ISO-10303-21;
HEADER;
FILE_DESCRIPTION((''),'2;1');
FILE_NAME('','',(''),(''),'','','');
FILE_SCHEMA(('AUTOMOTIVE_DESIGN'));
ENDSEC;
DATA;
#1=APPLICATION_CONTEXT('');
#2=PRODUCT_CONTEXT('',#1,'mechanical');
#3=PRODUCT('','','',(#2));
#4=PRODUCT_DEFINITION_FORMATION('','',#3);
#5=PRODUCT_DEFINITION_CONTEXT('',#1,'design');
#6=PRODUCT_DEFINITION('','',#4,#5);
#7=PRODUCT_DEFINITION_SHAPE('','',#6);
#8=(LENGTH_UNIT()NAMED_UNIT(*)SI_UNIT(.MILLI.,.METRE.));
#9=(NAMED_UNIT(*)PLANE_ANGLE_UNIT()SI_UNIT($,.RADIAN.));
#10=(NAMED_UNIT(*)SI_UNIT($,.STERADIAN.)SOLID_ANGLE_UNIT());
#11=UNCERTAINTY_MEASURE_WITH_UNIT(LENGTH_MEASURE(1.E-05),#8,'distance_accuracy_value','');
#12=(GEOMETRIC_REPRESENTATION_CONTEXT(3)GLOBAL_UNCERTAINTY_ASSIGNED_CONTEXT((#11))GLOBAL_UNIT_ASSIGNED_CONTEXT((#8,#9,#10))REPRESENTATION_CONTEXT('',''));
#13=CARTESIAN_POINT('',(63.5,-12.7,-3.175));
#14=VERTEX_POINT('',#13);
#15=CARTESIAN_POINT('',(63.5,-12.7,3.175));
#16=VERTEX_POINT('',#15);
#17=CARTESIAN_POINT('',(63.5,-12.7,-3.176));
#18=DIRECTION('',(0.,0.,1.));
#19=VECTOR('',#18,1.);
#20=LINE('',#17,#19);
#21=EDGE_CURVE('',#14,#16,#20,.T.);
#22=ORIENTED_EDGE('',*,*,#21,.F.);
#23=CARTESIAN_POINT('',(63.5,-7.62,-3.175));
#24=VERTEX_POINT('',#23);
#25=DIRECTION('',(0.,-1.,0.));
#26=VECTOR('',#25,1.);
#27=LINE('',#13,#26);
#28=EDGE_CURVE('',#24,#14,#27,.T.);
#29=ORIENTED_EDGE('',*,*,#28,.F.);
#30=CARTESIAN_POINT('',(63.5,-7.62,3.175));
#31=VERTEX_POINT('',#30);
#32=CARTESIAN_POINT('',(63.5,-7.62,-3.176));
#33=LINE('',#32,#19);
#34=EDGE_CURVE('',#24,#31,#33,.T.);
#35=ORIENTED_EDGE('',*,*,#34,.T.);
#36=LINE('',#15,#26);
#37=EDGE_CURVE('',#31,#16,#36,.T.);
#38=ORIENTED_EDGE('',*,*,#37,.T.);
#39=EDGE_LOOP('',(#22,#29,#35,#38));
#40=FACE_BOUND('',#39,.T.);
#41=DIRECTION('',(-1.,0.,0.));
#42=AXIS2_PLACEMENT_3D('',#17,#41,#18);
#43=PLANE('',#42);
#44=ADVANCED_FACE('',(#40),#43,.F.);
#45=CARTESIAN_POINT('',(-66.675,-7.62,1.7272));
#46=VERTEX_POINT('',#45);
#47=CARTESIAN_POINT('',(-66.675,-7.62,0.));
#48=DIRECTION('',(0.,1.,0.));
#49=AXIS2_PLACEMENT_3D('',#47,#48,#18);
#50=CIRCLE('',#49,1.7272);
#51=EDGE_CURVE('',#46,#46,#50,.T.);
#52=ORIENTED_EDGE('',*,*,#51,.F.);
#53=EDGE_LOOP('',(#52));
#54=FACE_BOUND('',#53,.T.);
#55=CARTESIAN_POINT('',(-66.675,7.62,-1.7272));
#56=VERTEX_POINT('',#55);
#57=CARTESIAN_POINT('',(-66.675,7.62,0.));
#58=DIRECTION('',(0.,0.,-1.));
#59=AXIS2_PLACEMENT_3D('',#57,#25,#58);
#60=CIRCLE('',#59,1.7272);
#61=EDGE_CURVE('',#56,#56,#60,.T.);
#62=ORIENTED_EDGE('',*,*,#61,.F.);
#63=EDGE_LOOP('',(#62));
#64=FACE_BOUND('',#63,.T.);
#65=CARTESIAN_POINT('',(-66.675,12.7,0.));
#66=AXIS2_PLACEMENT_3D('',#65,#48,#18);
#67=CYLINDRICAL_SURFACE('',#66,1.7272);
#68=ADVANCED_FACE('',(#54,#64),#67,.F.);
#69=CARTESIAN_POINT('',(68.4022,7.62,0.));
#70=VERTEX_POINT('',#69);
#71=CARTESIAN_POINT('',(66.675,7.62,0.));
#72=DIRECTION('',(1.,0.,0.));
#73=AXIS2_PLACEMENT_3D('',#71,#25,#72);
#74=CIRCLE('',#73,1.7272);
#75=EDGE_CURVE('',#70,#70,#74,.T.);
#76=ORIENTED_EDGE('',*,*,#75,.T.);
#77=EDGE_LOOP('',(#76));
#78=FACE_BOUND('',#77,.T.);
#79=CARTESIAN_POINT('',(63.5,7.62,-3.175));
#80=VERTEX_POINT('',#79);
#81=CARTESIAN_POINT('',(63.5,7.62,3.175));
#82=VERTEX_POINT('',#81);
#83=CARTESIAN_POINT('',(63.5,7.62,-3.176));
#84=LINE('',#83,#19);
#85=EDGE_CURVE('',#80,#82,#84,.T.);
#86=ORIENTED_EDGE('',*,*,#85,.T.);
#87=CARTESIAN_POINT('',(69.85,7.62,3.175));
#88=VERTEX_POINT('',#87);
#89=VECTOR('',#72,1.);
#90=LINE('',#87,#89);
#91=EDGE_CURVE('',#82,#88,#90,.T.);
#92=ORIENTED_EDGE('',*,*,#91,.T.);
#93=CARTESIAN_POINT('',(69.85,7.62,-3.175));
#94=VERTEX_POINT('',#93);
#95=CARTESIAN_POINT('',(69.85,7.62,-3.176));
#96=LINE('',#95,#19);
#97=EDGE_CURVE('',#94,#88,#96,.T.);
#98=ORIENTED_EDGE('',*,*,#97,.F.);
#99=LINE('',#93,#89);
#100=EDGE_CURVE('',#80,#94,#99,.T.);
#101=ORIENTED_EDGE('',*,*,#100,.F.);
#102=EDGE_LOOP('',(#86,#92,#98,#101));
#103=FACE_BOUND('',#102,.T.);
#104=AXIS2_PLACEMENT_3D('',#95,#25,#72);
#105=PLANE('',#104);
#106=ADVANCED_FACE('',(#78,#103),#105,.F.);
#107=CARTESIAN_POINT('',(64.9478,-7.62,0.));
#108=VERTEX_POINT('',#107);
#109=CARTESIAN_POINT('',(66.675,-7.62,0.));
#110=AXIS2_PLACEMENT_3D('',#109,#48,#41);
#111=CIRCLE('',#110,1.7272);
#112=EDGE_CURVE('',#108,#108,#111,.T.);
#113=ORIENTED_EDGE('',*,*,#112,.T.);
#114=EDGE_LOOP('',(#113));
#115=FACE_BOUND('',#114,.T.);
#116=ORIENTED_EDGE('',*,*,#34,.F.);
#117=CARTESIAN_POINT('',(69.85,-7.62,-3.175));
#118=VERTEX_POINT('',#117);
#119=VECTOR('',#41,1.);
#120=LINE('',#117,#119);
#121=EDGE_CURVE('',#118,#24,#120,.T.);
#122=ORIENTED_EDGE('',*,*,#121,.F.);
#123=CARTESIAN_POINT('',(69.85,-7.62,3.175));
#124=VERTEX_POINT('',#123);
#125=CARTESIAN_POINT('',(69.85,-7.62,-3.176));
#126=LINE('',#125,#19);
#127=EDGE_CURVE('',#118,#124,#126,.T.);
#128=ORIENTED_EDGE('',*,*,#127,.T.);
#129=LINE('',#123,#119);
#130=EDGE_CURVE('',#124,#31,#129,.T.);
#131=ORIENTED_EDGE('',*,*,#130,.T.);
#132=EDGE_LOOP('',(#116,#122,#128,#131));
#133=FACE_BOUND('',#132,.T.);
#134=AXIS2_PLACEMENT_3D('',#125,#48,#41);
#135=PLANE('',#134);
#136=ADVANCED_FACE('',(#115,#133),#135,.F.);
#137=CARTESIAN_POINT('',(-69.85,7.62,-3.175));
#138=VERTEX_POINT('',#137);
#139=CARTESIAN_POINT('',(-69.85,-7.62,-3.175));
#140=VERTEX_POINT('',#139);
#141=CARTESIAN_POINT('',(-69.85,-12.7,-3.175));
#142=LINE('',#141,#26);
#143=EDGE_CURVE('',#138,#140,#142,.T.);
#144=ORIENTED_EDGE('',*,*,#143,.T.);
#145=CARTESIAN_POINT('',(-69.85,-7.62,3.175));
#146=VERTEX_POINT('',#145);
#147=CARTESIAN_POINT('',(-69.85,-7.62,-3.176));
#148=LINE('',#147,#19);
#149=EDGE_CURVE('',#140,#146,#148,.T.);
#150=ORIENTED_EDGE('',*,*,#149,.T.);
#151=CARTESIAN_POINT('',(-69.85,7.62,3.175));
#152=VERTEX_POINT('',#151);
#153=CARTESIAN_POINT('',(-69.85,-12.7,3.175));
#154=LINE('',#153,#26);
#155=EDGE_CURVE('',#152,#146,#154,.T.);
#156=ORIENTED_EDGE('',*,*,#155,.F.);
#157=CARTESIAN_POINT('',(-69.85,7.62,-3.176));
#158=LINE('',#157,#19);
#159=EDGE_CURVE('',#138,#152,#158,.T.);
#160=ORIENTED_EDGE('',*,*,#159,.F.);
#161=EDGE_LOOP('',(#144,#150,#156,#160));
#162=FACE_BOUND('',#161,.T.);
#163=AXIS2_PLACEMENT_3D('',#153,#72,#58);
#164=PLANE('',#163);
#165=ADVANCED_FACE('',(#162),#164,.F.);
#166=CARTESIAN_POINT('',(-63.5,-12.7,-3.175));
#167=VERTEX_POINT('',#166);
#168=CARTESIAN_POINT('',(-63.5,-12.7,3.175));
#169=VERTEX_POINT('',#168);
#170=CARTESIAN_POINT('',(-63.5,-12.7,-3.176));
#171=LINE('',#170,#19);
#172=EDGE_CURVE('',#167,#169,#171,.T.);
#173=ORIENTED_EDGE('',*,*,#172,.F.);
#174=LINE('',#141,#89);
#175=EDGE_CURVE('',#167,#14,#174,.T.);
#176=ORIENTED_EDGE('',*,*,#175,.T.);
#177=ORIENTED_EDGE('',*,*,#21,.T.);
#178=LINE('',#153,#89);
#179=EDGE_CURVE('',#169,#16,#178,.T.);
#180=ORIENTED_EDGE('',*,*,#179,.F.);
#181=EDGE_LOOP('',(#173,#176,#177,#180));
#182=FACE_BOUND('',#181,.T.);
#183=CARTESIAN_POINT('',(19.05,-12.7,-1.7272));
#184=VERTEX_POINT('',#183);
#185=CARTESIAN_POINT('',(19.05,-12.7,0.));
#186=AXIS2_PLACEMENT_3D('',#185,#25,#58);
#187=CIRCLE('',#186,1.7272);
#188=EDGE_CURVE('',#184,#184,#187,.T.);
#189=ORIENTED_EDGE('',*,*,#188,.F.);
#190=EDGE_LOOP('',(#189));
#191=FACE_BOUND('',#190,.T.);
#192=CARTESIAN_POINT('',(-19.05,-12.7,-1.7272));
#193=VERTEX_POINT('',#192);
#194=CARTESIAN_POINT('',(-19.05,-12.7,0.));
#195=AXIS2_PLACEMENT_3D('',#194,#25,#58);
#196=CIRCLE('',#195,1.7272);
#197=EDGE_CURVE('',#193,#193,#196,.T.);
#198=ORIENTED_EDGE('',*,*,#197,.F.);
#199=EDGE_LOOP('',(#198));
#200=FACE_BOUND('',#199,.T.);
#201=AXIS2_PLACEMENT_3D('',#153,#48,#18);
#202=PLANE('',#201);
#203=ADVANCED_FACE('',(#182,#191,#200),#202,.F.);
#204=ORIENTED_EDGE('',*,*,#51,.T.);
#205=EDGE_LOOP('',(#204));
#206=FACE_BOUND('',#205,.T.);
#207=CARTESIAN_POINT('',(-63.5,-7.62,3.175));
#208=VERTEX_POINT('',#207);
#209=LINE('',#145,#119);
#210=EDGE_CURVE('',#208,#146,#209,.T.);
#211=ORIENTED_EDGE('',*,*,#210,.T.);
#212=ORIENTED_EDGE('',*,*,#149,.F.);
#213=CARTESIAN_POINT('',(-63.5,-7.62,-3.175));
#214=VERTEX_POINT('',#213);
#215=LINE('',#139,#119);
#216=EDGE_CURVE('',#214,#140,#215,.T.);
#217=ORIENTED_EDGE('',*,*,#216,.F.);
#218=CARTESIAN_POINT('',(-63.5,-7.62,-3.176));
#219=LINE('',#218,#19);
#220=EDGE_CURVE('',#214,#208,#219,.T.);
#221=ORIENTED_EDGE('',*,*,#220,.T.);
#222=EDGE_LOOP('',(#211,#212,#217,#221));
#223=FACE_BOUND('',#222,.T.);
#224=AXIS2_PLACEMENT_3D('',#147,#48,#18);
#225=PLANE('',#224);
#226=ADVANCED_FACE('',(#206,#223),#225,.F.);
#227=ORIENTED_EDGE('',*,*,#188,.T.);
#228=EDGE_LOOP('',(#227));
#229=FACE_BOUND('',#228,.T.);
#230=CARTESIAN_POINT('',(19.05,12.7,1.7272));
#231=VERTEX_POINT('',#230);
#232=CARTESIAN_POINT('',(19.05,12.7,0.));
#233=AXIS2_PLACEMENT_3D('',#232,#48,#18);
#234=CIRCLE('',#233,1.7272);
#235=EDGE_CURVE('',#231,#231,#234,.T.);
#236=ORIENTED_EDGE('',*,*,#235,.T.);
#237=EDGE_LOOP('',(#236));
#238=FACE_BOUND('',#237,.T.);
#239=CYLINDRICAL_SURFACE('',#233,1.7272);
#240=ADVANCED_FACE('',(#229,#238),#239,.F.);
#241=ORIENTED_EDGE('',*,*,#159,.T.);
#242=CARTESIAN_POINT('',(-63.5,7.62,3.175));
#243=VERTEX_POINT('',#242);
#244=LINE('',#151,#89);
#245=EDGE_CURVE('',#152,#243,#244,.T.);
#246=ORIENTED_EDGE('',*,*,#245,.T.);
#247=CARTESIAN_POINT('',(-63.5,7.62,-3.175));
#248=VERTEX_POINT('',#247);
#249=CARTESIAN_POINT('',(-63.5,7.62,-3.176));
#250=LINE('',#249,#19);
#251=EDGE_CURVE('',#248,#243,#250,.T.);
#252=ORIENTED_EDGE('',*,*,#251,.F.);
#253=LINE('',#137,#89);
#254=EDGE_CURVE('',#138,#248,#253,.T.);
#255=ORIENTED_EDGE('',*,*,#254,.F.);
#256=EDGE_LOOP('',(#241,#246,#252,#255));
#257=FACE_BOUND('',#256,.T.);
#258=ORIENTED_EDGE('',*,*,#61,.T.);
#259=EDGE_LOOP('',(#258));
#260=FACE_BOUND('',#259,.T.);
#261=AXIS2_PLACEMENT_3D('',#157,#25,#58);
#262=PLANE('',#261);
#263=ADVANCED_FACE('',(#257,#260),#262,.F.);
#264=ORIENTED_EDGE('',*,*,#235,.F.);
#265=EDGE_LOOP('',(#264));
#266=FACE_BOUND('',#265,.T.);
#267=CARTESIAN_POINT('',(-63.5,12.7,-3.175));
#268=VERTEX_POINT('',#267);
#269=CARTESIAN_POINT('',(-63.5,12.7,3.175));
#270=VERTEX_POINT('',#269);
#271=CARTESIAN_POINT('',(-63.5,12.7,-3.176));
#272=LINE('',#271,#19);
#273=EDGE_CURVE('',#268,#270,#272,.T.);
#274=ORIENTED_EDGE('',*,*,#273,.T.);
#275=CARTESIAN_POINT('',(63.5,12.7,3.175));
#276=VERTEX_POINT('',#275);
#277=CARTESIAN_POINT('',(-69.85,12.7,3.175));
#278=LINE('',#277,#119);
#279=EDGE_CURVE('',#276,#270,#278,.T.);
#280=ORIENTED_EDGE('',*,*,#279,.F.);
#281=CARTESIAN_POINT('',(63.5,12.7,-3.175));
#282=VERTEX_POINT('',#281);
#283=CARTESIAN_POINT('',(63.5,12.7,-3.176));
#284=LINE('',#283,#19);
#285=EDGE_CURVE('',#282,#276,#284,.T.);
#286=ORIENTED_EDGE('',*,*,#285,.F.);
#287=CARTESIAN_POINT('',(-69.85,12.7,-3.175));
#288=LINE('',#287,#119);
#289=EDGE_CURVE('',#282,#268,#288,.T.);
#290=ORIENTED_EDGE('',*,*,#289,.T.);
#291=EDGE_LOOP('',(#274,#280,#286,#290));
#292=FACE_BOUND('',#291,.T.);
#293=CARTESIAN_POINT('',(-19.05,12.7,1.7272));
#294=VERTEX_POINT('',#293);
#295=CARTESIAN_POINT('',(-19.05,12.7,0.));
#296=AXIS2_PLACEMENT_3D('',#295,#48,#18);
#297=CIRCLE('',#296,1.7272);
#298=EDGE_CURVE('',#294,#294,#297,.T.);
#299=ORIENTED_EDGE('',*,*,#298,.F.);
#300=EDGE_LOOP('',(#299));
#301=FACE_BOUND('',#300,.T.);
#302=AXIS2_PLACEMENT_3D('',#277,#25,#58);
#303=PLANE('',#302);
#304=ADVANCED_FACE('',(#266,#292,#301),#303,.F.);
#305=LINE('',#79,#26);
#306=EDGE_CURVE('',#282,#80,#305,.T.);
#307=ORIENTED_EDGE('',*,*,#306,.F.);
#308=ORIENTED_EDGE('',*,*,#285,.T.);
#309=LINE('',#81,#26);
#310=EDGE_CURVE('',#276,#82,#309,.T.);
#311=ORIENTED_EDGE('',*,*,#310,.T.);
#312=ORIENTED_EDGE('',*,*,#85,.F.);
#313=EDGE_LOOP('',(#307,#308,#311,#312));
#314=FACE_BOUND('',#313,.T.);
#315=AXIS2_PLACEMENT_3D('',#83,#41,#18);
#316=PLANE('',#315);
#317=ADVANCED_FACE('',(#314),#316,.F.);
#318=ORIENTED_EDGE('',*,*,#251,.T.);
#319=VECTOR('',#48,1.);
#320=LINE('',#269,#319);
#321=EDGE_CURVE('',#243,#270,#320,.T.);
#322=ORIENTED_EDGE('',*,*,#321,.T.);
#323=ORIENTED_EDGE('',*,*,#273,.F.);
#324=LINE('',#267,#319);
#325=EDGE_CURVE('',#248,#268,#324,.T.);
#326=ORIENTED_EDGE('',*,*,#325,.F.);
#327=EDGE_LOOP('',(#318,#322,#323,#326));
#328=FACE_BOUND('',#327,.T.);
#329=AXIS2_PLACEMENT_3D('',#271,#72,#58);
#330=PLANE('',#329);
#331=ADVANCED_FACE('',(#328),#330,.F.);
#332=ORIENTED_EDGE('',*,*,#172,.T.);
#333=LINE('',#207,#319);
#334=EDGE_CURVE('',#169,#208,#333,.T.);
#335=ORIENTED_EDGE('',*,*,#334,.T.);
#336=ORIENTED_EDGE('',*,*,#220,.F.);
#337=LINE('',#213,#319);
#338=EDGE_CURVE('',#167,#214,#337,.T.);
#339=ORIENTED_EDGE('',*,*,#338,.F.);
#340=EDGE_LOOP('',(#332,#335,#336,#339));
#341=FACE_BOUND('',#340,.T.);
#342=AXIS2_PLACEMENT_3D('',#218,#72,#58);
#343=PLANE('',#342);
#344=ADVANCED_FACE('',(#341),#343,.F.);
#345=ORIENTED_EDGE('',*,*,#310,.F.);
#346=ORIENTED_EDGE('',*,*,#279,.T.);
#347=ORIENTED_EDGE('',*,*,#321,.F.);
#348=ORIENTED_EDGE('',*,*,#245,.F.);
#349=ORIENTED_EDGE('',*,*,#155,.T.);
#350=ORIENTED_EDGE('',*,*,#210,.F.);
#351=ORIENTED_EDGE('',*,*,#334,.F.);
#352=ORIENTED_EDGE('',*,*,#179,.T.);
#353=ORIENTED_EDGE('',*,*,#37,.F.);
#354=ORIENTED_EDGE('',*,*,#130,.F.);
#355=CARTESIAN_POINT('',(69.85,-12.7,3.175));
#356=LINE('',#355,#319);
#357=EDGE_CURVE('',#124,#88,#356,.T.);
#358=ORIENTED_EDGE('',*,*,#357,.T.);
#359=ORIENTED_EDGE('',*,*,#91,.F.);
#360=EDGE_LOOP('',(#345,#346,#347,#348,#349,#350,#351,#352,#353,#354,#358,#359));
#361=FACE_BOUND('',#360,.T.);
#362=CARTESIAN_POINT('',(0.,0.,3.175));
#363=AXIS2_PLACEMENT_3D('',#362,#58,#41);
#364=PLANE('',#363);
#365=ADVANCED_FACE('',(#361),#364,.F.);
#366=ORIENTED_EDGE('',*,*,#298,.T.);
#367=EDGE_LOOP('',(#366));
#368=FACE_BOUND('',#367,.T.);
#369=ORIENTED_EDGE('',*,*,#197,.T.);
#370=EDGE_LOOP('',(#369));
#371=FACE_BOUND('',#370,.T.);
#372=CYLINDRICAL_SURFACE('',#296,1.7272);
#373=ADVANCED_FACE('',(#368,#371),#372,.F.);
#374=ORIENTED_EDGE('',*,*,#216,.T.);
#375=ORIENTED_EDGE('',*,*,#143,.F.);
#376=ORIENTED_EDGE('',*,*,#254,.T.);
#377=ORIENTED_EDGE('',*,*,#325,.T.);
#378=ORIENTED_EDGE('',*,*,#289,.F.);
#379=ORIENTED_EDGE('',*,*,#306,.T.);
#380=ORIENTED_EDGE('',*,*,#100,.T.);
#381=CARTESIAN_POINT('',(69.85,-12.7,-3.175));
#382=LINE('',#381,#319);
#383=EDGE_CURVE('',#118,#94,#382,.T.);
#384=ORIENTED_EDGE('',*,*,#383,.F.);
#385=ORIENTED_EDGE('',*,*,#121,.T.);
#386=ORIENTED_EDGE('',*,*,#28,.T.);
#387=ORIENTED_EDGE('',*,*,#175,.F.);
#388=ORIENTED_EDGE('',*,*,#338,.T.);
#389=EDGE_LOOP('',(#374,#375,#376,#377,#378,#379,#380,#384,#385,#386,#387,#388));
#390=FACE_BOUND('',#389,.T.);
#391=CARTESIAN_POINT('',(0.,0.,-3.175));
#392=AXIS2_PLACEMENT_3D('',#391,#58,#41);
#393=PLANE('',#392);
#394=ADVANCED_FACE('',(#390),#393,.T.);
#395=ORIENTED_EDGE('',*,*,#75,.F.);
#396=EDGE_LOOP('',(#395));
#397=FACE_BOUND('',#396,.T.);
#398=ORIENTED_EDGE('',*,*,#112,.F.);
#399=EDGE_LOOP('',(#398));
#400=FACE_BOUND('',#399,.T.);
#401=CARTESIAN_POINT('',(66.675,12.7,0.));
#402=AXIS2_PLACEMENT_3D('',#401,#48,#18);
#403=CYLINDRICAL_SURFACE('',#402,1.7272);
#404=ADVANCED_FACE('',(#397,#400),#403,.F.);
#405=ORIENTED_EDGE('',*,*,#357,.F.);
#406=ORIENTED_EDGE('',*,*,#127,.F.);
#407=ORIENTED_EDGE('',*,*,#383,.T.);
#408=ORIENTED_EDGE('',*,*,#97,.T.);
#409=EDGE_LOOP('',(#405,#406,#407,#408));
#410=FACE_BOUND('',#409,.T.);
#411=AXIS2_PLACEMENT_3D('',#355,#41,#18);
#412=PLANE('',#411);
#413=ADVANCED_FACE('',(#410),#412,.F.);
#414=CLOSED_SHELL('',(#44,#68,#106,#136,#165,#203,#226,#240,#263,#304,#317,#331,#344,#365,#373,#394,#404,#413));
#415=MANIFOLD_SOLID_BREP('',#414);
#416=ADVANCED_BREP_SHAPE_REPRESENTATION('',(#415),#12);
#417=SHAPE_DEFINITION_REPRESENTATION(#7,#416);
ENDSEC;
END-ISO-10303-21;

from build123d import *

# Parameters (mm, degrees)
SKETCH1_W                          = 139.7
SKETCH1_H                          = 25.4
BOSS_EXTRUDE1_DEPTH                = 3.175
CUT_EXTRUDE1_REACH                 = 73.279
SKETCH2_W                          = 6.35
SKETCH2_H                          = 5.08
TAP_DRILL_FOR_8_32_TAP1_AT_2_COUNT = 2
TAP_DRILL_FOR_8_32_TAP1_AT_2_PITCH = 47.625
TAP_DRILL_FOR_8_32_TAP1_AT_3_COUNT = 2
TAP_DRILL_FOR_8_32_TAP1_AT_3_PITCH = 85.725
TAP_DRILL_FOR_8_32_TAP1_AT_4_COUNT = 2
TAP_DRILL_FOR_8_32_TAP1_AT_4_PITCH = 133.35


with BuildPart() as part:
    # Sketch1 → Boss-Extrude1 (new, symmetric)
    with BuildSketch(Plane.XY):
        Rectangle(SKETCH1_W, SKETCH1_H)
    extrude(amount=BOSS_EXTRUDE1_DEPTH, both=True)

    # Sketch2 → Cut-Extrude1 (cut, up to next)
    with BuildSketch(Plane.XY.offset(3.175), mode=Mode.PRIVATE) as cut_extrude1_sk1:
        with Locations((-66.675, 10.16)):
            Rectangle(SKETCH2_W, SKETCH2_H)
    cut_extrude1_tool1 = extrude(cut_extrude1_sk1.sketch, amount=-CUT_EXTRUDE1_REACH, mode=Mode.PRIVATE) & part.part
    # Sketch2 → Cut-Extrude1 (cut, up to next)
    with BuildSketch(Plane.XY.offset(3.175), mode=Mode.PRIVATE) as cut_extrude1_sk2:
        with Locations((-66.675, -10.16)):
            Rectangle(SKETCH2_W, SKETCH2_H)
    cut_extrude1_tool2 = extrude(cut_extrude1_sk2.sketch, amount=-CUT_EXTRUDE1_REACH, mode=Mode.PRIVATE) & part.part
    # Sketch2 → Cut-Extrude1 (cut, up to next)
    with BuildSketch(Plane.XY.offset(3.175), mode=Mode.PRIVATE) as cut_extrude1_sk3:
        with Locations((66.675, 10.16)):
            Rectangle(SKETCH2_W, SKETCH2_H)
    cut_extrude1_tool3 = extrude(cut_extrude1_sk3.sketch, amount=-CUT_EXTRUDE1_REACH, mode=Mode.PRIVATE) & part.part
    # Sketch2 → Cut-Extrude1 (cut, up to next)
    with BuildSketch(Plane.XY.offset(3.175), mode=Mode.PRIVATE) as cut_extrude1_sk4:
        with Locations((66.675, -10.16)):
            Rectangle(SKETCH2_W, SKETCH2_H)
    cut_extrude1_tool4 = extrude(cut_extrude1_sk4.sketch, amount=-CUT_EXTRUDE1_REACH, mode=Mode.PRIVATE) & part.part
    add(cut_extrude1_tool1.solids().sort_by_distance((-66.675, 10.16, 3.175))[0], mode=Mode.SUBTRACT)
    add(cut_extrude1_tool2.solids().sort_by_distance((-66.675, -10.16, 3.175))[0], mode=Mode.SUBTRACT)
    add(cut_extrude1_tool3.solids().sort_by_distance((66.675, 10.16, 3.175))[0], mode=Mode.SUBTRACT)
    add(cut_extrude1_tool4.solids().sort_by_distance((66.675, -10.16, 3.175))[0], mode=Mode.SUBTRACT)

    # Sketch5 → Tap Drill for #8-32 Tap1 (revolve, cut)
    with BuildSketch(Plane(origin=(-66.675, 12.7, 0), x_dir=(0, 0, 1), z_dir=(1, 0, 0))):
        Polygon((0, 0), (0, 13.737806461), (1.7272, 12.7), (1.7272, 0), align=None)
    tap_drill_for_8_32_tap1 = revolve(axis=Axis((-66.675, 19.05, 0), (0, -1, 0)), mode=Mode.SUBTRACT)

    # Tap Drill for #8-32 Tap1 at 2: Tap Drill for #8-32 Tap1 ×2
    with Locations(*[(i * TAP_DRILL_FOR_8_32_TAP1_AT_2_PITCH, 0, 0) for i in range(1, TAP_DRILL_FOR_8_32_TAP1_AT_2_COUNT)]):
        add(tap_drill_for_8_32_tap1, mode=Mode.SUBTRACT)

    # Tap Drill for #8-32 Tap1 at 3: Tap Drill for #8-32 Tap1 ×2
    with Locations(*[(i * TAP_DRILL_FOR_8_32_TAP1_AT_3_PITCH, 0, 0) for i in range(1, TAP_DRILL_FOR_8_32_TAP1_AT_3_COUNT)]):
        add(tap_drill_for_8_32_tap1, mode=Mode.SUBTRACT)

    # Tap Drill for #8-32 Tap1 at 4: Tap Drill for #8-32 Tap1 ×2
    with Locations(*[(i * TAP_DRILL_FOR_8_32_TAP1_AT_4_PITCH, 0, 0) for i in range(1, TAP_DRILL_FOR_8_32_TAP1_AT_4_COUNT)]):
        add(tap_drill_for_8_32_tap1, mode=Mode.SUBTRACT)

    # Mirror1: Tap Drill for #8-32 Tap1 across plane
    add(tap_drill_for_8_32_tap1.mirror(Plane.ZX), mode=Mode.SUBTRACT)

    # Mirror1 copy 1 sketch → Mirror1 copy 1 (revolve, cut)
    with BuildSketch(Plane(origin=(-19.05, -12.7, 0), x_dir=(0, 0, 1), z_dir=(1, 0, 0))):
        Polygon((0, 0), (0, -13.737806461), (1.7272, -12.7), (1.7272, 0), align=None)
    revolve(axis=Axis((-19.05, -19.05, 0), (0, -1, 0)), mode=Mode.SUBTRACT)

    # Mirror1 copy 2 sketch → Mirror1 copy 2 (revolve, cut)
    with BuildSketch(Plane(origin=(19.05, -12.7, 0), x_dir=(0, 0, 1), z_dir=(1, 0, 0))):
        Polygon((0, 0), (0, -13.737806461), (1.7272, -12.7), (1.7272, 0), align=None)
    revolve(axis=Axis((19.05, -19.05, 0), (0, -1, 0)), mode=Mode.SUBTRACT)

    # Mirror1 copy 3 sketch → Mirror1 copy 3 (revolve, cut)
    with BuildSketch(Plane(origin=(66.675, -12.7, 0), x_dir=(0, 0, 1), z_dir=(1, 0, 0))):
        Polygon((0, 0), (0, -13.737806461), (1.7272, -12.7), (1.7272, 0), align=None)
    revolve(axis=Axis((66.675, -19.05, 0), (0, -1, 0)), mode=Mode.SUBTRACT)


solid = part.part
